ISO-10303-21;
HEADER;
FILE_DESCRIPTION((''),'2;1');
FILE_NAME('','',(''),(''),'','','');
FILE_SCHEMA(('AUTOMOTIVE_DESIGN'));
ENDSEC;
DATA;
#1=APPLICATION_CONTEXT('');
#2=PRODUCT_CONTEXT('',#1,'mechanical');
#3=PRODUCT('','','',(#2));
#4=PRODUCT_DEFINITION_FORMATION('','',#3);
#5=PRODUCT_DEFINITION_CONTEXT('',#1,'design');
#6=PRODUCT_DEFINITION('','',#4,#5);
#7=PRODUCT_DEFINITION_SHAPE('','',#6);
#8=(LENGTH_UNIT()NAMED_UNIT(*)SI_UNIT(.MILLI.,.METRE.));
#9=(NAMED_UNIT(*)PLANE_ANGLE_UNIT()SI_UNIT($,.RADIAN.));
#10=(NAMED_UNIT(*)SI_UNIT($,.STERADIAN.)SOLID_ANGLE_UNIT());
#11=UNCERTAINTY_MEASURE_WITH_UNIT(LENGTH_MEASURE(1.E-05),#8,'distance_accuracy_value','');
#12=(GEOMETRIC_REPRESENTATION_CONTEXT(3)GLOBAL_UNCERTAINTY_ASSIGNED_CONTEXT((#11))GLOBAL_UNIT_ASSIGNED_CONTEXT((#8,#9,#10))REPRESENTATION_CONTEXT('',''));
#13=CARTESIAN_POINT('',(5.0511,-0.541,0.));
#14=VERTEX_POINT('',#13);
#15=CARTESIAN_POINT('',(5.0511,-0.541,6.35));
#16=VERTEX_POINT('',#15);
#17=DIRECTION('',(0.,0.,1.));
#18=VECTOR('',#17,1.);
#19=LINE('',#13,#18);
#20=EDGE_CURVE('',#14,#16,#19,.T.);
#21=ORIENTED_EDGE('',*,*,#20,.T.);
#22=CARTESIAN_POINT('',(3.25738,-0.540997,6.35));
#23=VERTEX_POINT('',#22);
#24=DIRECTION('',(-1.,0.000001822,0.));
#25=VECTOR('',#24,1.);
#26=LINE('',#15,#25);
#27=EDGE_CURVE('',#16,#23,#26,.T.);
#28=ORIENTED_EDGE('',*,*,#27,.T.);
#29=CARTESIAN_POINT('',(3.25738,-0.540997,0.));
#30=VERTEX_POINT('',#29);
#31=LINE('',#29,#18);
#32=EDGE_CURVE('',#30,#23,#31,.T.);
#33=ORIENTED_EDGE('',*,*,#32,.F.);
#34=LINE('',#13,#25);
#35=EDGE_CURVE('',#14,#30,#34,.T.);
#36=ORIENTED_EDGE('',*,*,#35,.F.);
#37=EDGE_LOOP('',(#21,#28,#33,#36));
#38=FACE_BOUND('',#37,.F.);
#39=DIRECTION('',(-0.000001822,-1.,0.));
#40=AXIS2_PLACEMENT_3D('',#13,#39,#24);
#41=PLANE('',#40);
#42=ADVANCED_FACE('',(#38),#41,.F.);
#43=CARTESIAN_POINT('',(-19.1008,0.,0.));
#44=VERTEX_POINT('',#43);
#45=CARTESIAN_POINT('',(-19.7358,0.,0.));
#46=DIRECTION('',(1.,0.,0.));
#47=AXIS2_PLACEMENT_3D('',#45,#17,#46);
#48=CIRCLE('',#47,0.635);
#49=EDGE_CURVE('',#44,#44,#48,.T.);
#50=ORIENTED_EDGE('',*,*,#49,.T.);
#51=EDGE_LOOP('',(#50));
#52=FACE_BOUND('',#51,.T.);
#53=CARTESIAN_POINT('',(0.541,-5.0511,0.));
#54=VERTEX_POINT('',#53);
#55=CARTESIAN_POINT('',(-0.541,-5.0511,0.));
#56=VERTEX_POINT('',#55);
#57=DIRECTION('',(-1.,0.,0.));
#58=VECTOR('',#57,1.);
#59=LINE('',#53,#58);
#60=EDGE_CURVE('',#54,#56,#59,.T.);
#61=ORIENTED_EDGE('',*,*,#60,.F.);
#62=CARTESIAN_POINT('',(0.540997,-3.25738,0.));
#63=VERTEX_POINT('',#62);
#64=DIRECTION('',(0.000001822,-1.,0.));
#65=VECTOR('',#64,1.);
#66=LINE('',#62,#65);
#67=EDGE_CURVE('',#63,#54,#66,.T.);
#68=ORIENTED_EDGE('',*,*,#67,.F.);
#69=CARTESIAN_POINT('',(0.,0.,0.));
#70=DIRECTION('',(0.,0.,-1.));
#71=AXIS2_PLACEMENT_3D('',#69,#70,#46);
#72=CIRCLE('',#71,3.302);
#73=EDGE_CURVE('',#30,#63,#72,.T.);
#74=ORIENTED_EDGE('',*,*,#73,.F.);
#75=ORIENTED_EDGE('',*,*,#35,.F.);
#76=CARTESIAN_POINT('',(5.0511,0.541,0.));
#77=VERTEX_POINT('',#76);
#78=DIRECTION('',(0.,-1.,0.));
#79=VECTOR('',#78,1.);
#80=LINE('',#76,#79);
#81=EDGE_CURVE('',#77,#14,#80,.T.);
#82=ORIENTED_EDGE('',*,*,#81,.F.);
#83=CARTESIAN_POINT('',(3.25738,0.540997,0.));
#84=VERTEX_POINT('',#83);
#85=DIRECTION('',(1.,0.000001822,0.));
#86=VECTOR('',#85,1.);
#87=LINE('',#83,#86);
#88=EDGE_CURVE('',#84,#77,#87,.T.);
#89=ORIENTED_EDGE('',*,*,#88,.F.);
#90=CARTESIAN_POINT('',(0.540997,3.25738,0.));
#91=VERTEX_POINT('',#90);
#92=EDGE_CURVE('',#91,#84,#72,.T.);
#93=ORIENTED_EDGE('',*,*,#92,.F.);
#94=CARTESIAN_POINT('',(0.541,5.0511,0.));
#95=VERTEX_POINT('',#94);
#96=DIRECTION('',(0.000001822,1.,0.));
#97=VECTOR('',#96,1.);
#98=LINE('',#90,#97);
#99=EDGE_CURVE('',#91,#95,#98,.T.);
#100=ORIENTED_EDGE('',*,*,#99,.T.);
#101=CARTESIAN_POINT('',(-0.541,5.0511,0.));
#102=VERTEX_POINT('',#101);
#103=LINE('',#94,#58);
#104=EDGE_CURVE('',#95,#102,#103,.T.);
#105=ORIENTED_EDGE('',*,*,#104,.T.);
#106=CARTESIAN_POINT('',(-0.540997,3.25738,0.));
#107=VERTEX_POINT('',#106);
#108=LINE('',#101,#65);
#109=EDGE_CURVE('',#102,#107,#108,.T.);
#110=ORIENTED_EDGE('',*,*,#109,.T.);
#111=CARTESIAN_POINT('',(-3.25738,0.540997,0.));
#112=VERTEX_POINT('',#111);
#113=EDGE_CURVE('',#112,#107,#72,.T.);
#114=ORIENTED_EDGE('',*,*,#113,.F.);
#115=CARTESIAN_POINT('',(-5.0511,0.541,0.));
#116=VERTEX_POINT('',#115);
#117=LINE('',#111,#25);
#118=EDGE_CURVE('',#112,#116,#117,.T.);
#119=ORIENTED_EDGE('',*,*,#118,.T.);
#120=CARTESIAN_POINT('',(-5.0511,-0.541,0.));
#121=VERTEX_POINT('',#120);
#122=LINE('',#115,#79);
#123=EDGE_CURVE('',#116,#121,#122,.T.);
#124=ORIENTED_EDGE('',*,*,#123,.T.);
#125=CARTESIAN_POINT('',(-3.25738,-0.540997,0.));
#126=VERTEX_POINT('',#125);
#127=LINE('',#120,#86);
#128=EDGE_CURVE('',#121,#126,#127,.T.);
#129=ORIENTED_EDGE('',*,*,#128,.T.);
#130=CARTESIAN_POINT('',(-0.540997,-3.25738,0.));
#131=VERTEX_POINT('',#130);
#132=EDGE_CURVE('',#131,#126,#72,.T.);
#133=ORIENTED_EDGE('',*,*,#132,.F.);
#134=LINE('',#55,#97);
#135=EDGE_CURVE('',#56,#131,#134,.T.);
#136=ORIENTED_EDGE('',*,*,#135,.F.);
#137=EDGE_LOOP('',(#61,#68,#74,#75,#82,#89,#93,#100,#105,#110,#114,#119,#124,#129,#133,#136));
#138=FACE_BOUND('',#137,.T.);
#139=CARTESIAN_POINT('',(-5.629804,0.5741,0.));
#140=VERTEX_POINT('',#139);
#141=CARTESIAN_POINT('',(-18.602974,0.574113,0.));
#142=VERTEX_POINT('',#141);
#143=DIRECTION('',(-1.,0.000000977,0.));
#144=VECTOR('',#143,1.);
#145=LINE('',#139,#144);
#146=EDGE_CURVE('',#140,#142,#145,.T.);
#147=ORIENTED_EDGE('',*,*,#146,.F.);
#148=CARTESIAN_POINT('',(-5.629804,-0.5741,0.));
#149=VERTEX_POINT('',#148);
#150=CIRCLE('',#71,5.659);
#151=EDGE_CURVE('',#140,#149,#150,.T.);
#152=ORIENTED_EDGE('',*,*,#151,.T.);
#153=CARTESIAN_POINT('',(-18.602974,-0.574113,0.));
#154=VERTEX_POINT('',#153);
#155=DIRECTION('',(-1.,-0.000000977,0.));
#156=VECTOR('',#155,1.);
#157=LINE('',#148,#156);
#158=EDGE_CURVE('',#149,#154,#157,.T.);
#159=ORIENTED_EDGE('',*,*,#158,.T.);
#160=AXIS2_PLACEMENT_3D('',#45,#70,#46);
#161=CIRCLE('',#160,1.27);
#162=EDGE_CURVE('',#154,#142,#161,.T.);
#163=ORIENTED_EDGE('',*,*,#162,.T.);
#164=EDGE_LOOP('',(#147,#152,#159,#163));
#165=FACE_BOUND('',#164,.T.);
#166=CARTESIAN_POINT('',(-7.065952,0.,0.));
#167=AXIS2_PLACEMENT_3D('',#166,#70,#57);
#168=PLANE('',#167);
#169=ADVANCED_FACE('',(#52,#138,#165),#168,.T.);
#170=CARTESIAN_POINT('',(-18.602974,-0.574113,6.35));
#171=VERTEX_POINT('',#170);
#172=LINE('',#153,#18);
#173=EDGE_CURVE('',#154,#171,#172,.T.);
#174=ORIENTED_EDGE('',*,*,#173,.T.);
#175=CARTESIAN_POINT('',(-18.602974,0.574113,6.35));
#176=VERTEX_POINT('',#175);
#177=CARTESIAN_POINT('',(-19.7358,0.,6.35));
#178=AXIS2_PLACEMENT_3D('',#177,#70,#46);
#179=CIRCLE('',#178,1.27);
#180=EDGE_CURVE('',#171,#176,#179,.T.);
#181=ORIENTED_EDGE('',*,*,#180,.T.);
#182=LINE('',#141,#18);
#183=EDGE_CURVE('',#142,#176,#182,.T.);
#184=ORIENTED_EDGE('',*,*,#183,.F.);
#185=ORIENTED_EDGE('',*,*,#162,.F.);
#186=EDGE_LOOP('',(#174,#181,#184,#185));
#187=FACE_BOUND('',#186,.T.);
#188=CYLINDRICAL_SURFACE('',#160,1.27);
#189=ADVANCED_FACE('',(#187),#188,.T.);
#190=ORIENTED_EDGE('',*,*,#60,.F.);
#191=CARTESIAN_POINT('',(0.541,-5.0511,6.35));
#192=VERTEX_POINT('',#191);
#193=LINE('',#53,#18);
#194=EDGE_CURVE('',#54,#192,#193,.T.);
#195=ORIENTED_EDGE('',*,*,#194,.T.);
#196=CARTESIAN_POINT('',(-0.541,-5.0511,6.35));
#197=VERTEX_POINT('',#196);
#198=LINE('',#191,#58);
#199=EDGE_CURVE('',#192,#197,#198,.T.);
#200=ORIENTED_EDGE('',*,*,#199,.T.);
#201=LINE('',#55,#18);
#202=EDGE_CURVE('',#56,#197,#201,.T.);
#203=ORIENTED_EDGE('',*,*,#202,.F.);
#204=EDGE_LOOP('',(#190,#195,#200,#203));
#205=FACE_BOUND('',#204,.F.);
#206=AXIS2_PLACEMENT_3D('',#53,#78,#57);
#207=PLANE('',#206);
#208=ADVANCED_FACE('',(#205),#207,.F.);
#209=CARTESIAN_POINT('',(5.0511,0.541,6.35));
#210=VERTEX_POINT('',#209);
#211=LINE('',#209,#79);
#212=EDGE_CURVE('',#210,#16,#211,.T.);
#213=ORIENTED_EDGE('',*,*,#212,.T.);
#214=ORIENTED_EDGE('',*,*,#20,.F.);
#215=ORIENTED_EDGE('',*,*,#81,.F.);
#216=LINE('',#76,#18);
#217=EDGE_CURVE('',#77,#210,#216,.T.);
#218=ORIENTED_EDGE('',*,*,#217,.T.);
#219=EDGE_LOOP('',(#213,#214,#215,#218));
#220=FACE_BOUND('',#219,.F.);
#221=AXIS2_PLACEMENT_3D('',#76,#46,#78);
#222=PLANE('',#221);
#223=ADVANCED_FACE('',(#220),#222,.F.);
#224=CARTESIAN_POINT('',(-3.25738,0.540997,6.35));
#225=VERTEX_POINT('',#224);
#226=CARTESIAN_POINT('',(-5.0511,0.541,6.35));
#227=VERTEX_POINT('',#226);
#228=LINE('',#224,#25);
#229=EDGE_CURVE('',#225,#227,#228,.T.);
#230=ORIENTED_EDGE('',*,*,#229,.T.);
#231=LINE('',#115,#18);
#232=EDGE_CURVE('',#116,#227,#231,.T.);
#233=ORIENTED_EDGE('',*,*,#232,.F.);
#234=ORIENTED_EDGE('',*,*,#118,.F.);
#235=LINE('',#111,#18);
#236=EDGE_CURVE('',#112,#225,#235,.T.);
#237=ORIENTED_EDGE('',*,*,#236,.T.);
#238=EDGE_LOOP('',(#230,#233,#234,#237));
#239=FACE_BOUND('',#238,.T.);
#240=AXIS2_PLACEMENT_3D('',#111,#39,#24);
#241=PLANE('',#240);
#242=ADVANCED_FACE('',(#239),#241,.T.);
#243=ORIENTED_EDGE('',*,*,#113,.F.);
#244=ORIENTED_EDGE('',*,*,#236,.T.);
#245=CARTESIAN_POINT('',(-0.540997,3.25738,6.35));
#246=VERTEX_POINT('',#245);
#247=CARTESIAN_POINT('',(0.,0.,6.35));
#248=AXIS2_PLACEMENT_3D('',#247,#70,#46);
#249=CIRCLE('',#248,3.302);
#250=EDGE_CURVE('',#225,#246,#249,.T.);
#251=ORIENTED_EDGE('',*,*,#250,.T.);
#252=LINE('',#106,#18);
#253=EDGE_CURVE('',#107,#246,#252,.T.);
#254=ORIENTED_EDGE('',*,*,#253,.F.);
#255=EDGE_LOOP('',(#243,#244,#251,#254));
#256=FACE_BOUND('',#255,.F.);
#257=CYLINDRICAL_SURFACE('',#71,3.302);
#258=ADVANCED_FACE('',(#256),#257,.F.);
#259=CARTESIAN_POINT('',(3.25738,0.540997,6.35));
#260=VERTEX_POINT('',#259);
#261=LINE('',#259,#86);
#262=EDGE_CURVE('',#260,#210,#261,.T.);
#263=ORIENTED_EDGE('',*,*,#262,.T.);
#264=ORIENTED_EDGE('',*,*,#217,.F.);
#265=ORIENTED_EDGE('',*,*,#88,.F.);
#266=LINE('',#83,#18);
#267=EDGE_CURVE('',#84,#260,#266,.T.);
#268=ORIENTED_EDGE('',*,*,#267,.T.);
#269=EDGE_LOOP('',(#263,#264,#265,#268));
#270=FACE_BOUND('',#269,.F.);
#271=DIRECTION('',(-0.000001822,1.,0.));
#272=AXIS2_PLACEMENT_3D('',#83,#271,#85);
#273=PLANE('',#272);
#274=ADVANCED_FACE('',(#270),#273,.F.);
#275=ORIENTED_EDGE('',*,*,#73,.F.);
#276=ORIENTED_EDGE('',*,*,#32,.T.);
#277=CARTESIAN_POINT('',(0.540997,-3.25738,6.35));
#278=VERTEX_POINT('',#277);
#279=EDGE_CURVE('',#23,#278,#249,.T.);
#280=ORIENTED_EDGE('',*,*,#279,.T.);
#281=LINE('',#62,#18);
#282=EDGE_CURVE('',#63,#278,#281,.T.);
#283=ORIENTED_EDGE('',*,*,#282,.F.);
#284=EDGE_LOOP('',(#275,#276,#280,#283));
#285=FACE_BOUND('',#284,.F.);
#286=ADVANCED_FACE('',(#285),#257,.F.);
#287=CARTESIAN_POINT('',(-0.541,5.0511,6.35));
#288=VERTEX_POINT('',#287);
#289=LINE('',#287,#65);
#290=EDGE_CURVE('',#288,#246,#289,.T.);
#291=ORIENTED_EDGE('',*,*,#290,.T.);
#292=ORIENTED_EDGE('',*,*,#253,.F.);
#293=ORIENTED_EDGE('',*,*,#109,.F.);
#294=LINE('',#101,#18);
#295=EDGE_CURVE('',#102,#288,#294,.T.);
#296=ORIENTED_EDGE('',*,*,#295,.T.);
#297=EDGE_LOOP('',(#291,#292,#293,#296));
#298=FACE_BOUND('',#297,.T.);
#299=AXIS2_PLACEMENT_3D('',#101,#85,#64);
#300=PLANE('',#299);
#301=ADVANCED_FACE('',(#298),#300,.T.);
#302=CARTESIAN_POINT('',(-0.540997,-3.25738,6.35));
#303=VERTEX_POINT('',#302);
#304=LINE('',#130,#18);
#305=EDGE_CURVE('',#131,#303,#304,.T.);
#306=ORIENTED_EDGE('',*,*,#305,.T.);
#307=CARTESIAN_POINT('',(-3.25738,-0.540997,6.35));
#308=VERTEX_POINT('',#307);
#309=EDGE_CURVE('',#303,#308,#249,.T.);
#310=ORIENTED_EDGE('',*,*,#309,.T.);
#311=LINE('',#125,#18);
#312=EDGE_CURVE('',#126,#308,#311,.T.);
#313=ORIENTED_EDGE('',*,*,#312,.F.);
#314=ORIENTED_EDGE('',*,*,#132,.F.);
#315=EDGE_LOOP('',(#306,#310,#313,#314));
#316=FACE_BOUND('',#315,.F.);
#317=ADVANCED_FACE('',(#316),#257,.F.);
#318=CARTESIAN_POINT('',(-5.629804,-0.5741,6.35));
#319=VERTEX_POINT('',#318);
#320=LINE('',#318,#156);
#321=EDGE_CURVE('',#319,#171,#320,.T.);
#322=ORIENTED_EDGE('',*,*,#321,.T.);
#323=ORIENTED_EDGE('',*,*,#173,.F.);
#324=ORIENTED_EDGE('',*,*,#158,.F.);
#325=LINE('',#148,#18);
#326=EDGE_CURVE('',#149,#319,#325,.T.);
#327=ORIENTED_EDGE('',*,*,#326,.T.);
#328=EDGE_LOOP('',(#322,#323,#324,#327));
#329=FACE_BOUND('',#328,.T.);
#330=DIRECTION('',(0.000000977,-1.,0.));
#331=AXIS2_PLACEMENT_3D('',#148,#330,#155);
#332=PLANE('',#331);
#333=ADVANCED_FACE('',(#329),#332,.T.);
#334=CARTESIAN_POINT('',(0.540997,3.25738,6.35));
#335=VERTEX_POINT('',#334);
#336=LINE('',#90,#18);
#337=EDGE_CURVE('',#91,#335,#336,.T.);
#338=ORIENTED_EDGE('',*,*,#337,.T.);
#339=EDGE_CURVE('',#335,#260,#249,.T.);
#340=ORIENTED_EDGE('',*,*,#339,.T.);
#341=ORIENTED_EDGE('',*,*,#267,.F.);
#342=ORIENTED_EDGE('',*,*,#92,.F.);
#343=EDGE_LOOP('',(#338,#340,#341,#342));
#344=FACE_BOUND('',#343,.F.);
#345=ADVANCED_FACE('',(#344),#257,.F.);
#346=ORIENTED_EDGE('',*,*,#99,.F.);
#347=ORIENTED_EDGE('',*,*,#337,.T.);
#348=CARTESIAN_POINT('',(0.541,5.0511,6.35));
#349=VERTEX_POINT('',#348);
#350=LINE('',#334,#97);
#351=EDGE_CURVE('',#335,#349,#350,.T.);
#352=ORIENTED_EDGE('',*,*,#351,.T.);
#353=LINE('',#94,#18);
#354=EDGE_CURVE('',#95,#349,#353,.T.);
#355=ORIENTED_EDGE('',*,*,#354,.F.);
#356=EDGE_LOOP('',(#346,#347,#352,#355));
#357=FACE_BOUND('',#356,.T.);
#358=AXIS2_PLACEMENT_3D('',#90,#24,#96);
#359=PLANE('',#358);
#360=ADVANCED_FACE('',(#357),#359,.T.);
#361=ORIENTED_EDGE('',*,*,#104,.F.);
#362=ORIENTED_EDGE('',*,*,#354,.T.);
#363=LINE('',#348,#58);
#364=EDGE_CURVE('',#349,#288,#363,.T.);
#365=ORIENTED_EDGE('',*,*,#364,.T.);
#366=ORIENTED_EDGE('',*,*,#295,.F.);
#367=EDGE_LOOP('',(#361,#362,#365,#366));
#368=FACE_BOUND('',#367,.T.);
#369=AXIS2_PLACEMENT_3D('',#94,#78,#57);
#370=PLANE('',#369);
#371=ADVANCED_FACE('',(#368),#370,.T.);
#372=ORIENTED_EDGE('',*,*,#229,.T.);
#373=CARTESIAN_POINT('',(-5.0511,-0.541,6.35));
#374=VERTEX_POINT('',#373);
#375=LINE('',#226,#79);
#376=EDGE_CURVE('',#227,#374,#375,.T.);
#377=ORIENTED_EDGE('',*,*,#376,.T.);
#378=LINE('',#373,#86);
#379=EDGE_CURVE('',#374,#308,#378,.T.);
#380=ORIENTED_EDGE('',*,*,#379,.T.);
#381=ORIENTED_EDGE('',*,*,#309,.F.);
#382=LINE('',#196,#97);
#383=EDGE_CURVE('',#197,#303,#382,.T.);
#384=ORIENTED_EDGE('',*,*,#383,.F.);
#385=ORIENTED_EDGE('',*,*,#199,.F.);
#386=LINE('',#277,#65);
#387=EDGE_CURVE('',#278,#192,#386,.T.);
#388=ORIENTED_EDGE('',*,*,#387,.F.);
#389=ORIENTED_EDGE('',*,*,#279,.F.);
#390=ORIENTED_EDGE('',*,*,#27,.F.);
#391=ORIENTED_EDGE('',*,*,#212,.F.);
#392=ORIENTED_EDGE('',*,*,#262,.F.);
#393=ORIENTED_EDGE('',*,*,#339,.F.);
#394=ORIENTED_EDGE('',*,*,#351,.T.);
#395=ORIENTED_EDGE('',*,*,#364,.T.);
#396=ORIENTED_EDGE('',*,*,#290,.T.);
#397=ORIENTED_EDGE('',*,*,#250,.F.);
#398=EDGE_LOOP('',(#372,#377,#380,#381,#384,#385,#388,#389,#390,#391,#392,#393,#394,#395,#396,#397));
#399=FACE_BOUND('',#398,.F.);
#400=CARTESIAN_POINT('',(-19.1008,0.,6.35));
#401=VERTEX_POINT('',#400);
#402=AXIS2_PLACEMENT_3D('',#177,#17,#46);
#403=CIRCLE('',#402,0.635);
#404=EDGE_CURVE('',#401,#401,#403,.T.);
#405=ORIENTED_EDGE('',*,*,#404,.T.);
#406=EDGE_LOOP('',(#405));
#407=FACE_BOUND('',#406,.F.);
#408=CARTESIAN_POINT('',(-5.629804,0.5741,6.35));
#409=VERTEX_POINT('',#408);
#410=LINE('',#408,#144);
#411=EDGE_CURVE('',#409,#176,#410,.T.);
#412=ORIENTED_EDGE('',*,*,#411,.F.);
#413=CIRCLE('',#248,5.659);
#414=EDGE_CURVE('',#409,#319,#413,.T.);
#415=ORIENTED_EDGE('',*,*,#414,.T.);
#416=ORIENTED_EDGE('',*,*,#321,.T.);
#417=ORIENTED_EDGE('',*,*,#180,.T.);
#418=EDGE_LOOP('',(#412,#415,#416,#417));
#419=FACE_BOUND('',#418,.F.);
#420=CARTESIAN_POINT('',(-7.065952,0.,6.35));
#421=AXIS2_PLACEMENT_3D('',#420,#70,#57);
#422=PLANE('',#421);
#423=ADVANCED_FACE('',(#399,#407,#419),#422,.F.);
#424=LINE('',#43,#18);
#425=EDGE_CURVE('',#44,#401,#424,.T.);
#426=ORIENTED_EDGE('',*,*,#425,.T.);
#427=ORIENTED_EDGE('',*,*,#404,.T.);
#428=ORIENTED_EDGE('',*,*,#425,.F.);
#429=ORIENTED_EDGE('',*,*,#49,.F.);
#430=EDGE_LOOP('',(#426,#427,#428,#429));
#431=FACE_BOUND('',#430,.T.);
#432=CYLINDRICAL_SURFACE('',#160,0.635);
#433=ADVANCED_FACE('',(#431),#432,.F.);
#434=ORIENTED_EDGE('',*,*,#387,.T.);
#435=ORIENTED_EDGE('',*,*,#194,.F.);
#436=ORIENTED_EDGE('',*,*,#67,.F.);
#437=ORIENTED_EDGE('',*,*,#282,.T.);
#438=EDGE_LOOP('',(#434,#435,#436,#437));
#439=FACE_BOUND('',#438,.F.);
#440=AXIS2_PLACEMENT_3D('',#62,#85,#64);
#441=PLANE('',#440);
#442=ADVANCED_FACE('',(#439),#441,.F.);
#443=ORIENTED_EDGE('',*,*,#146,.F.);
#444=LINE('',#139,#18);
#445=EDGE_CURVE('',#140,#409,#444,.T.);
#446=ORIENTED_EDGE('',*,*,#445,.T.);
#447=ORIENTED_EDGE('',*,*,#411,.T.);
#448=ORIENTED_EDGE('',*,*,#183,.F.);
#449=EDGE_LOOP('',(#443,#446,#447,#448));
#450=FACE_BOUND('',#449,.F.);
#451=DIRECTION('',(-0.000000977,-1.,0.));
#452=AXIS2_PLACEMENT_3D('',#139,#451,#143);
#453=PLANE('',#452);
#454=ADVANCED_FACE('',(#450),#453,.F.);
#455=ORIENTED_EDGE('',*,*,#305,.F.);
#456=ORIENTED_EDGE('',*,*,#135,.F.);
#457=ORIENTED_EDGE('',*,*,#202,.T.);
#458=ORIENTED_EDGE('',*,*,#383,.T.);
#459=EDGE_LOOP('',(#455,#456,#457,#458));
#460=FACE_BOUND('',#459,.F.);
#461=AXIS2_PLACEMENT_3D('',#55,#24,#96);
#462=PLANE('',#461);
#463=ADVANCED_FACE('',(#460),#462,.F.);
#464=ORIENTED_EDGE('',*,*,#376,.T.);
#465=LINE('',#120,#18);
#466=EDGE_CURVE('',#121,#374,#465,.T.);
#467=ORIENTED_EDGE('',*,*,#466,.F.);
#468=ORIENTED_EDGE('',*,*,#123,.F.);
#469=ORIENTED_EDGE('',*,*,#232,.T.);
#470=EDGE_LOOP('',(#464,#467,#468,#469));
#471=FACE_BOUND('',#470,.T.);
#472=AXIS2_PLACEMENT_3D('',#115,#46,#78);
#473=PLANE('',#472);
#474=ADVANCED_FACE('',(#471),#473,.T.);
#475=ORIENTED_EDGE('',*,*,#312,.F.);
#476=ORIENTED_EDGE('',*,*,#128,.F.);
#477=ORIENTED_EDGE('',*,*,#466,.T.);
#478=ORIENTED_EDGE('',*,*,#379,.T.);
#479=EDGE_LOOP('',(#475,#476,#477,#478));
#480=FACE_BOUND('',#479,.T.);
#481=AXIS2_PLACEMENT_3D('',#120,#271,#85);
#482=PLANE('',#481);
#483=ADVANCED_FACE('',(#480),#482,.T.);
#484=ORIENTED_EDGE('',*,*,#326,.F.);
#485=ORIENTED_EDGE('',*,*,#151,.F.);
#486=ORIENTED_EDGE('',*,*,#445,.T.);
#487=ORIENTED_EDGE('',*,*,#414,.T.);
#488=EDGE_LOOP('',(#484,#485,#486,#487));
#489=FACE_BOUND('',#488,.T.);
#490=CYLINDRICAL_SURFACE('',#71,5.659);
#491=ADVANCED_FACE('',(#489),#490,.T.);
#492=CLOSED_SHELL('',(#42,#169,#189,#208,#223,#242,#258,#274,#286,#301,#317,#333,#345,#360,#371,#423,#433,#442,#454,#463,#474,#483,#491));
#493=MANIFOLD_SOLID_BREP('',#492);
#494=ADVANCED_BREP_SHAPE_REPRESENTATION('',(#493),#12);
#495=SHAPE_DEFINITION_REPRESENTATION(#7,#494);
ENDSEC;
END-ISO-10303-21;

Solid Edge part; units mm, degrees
sketch "Sketch1" plane through (0, 0, 0) normal (0, 0, 1) x (1, 0, 0)
  line L0 (-5.6298, -0.5741) -> (-18.603, -0.5741)
  line L1 (-5.6298, 0.5741) -> (-18.603, 0.5741)
  arc A0 (-5.6298, 0.5741) -> (-5.6298, -0.5741) centre (0, 0) cw
  arc A1 (-18.603, -0.5741) -> (-18.603, 0.5741) centre (-19.7358, 0) cw
  arc A2 (0.541, 3.2574) -> (3.2574, 0.541) centre (0, 0) cw
  line L2 (3.2574, 0.541) -> (5.0511, 0.541)
  line L3 (5.0511, 0.541) -> (5.0511, -0.541)
  line L4 (5.0511, -0.541) -> (3.2574, -0.541)
  arc A3 (3.2574, -0.541) -> (0.541, -3.2574) centre (0, 0) cw
  line L5 (0.541, -3.2574) -> (0.541, -5.0511)
  line L6 (0.541, -5.0511) -> (-0.541, -5.0511)
  line L7 (-0.541, -5.0511) -> (-0.541, -3.2574)
  line L8 (-5.0511, -0.541) -> (-3.2574, -0.541)
  line L9 (-5.0511, 0.541) -> (-5.0511, -0.541)
  line L10 (-3.2574, 0.541) -> (-5.0511, 0.541)
  arc A4 (-3.2574, 0.541) -> (-0.541, 3.2574) centre (0, 0) cw
  line L11 (-0.541, 5.0511) -> (-0.541, 3.2574)
  line L12 (0.541, 5.0511) -> (-0.541, 5.0511)
  line L13 (0.541, 3.2574) -> (0.541, 5.0511)
  arc A5 (-0.541, -3.2574) -> (-3.2574, -0.541) centre (0, 0) cw
  circle A6 centre (-19.7358, 0) radius 0.635
extrude "Protrusion1" add sketch "Sketch1" along normal blind 6.35
